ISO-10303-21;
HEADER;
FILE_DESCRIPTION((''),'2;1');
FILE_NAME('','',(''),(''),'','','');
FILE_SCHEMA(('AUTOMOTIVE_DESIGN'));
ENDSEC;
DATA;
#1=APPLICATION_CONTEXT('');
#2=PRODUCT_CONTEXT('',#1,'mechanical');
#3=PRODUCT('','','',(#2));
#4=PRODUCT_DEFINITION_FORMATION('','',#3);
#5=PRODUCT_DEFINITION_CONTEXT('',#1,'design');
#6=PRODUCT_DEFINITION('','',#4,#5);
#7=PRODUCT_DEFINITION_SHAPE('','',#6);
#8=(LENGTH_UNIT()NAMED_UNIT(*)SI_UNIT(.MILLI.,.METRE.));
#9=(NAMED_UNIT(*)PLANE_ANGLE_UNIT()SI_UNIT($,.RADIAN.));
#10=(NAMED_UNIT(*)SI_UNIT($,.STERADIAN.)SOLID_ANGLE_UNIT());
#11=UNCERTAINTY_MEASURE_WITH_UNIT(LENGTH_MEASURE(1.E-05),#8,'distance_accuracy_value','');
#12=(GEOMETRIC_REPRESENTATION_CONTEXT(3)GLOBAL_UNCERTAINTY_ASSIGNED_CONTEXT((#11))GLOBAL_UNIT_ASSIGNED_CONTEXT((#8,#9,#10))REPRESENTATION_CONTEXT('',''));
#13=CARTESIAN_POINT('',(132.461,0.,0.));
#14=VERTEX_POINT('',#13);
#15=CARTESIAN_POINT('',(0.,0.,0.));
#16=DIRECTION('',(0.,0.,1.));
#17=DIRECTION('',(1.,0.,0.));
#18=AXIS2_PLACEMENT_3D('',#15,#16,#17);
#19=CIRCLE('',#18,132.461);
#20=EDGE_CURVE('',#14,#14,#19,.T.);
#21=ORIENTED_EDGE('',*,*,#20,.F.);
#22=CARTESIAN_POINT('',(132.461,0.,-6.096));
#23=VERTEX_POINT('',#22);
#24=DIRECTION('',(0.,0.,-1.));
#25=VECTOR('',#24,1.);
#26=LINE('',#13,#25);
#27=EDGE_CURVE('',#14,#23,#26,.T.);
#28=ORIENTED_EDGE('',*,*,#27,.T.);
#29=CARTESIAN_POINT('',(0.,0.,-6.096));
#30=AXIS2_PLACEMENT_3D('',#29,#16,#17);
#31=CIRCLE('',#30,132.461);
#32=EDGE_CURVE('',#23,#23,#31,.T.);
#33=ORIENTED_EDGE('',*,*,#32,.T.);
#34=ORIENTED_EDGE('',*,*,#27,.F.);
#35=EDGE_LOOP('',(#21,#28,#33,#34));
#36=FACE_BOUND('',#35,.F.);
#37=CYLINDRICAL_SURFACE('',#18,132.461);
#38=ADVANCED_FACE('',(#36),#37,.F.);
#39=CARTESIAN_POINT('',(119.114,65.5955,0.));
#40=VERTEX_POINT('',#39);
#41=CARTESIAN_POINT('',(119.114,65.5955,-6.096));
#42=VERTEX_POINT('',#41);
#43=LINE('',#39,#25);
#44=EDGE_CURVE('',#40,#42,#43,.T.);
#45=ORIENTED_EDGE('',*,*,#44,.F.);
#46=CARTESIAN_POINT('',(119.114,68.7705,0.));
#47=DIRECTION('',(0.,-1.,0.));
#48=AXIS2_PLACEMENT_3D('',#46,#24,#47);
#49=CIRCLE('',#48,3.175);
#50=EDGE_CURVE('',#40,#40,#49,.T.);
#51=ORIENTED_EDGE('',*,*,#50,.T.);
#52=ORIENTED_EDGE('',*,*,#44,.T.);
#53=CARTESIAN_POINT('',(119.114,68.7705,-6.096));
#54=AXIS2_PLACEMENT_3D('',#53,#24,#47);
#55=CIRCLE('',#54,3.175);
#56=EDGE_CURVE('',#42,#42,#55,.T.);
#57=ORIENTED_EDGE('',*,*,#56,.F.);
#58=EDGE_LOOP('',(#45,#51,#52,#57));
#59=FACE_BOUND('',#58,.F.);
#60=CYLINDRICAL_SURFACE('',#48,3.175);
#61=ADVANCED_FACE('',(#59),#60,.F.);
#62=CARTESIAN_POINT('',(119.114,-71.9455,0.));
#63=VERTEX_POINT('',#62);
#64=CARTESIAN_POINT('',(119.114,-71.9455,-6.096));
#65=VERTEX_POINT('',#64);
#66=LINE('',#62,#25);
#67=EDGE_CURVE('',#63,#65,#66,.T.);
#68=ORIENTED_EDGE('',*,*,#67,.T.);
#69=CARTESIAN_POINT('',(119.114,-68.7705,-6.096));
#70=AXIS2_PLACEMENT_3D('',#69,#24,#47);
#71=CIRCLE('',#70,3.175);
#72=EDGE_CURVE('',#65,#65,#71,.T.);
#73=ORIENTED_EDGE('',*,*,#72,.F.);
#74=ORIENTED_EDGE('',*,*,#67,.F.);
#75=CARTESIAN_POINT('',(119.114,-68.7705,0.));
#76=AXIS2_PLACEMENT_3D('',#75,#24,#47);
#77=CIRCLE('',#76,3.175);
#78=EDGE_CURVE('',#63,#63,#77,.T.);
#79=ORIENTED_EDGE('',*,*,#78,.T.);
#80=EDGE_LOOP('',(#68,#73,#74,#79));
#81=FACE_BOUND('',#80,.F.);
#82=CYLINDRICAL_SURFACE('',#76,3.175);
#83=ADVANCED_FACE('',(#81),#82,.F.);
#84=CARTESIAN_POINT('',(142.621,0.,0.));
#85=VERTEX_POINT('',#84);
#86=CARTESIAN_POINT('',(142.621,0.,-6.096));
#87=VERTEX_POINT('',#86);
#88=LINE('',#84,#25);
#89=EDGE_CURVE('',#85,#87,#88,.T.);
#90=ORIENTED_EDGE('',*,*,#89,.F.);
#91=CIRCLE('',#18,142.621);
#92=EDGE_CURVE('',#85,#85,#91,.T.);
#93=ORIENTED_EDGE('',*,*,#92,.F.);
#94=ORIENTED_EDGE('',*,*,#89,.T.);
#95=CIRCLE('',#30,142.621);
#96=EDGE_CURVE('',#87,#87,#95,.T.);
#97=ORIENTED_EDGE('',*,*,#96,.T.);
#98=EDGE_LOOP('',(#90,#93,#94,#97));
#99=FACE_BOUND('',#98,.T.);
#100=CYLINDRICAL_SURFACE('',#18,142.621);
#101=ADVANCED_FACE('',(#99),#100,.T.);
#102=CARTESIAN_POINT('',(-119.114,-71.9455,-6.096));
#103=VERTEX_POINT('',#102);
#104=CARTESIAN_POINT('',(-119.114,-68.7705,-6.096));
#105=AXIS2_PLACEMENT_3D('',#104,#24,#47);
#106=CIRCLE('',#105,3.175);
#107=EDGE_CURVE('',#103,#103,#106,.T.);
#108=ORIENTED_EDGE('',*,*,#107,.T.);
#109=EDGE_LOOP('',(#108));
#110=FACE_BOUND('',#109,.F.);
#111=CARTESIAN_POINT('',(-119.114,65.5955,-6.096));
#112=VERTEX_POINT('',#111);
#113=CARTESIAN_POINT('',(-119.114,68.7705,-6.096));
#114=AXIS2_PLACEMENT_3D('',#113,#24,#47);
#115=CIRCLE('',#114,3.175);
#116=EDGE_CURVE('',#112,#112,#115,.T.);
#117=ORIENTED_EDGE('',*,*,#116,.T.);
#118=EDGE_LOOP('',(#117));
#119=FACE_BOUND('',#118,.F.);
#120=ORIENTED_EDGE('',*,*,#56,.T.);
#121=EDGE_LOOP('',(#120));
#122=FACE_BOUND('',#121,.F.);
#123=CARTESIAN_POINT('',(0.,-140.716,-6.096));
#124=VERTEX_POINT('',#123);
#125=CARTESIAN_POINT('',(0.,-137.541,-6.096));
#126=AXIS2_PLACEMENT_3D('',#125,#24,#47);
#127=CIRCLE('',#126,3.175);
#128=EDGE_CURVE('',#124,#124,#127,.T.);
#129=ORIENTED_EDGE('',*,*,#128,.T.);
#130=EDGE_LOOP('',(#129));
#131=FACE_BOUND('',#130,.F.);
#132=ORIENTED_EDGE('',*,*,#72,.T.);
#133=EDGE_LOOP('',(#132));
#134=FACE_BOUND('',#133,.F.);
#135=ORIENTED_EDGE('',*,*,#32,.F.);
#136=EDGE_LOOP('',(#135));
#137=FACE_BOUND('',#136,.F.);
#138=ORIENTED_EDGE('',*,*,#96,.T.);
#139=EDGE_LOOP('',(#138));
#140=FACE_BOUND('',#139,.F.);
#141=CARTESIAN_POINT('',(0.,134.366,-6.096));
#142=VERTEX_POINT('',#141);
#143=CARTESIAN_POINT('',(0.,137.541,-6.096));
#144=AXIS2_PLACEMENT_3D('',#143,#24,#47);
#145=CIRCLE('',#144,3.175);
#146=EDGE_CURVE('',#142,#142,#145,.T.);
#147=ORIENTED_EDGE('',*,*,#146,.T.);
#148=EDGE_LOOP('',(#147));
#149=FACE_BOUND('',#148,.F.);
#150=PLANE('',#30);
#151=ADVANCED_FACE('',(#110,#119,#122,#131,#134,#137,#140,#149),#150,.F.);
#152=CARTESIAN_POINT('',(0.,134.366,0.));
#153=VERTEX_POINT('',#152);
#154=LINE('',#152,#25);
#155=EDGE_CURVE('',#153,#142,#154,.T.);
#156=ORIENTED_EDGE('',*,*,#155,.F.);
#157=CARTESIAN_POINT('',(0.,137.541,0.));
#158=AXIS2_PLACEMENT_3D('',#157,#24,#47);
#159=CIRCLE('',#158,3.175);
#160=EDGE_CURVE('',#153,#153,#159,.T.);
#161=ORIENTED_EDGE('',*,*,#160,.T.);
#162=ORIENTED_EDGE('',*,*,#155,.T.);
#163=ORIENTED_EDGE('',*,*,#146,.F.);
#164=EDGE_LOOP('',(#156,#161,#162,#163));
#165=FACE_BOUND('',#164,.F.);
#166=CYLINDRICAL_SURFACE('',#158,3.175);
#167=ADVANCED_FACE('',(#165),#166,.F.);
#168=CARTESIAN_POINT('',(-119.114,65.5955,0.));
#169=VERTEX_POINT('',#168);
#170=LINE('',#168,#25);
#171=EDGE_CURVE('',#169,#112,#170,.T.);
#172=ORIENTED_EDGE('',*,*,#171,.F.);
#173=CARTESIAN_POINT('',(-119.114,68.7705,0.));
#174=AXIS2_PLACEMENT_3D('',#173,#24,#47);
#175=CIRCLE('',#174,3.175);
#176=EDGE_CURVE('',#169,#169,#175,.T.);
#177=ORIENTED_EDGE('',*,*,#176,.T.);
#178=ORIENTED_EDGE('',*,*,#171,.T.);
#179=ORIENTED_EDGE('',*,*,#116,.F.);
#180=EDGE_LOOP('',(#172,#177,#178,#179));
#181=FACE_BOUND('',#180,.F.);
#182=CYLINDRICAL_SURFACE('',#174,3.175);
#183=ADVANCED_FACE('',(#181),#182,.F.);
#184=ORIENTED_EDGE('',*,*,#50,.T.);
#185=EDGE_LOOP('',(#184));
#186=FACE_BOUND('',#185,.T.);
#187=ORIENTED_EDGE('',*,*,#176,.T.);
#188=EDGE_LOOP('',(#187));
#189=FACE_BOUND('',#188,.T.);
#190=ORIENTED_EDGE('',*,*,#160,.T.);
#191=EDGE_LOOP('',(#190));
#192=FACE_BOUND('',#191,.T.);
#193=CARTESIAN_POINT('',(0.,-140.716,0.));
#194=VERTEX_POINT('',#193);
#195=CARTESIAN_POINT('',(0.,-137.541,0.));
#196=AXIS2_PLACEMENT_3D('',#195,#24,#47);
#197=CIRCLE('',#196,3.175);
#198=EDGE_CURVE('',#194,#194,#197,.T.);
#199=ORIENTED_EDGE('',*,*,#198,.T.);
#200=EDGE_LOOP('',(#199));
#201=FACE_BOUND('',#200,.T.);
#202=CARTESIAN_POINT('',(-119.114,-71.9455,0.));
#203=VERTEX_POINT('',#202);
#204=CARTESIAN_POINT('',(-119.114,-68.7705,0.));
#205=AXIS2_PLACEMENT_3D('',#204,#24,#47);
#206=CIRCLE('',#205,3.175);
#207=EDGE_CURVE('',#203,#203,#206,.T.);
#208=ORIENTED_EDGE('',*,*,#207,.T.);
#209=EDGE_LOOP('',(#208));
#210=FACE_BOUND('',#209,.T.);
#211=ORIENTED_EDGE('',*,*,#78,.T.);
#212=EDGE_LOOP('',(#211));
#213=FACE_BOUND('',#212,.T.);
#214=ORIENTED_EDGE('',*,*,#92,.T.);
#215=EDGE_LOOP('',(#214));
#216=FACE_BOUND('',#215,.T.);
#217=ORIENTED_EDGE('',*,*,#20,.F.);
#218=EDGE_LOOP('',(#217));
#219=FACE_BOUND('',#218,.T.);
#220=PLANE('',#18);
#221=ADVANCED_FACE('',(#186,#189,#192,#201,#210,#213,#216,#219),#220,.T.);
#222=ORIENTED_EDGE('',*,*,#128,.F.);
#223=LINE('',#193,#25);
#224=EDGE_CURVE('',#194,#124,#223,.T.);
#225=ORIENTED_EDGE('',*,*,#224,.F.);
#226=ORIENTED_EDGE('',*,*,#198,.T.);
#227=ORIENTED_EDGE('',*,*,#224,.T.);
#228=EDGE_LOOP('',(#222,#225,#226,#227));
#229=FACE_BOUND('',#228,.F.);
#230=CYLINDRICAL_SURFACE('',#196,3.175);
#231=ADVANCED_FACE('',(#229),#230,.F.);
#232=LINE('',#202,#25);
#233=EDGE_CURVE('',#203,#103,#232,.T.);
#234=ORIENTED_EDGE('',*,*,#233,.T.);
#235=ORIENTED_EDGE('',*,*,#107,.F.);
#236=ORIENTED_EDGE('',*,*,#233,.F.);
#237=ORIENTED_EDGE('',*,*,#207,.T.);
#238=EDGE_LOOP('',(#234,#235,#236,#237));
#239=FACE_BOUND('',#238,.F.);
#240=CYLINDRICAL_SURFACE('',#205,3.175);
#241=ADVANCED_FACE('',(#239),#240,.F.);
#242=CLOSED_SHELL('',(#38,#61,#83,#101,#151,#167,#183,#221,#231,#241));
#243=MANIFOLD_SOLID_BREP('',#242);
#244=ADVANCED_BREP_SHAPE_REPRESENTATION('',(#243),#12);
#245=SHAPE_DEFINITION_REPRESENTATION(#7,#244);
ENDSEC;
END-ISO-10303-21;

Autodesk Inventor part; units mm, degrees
ref_plane "YZ Plane" through (0, 0, 0) normal (1, 0, 0) x (0, 1, 0)
ref_plane "XZ Plane" through (0, 0, 0) normal (0, 1, 0) x (-1, 0, 0)
ref_plane "XY Plane" through (0, 0, 0) normal (0, 0, 1) x (1, 0, 0)
sketch "Sketch1" plane through (0, 0, 0) normal (0, 0, 1) x (1, 0, 0)
  circle A0 centre (0, 0) radius 142.621
  circle A1 centre (0, 0) radius 132.461
  point P0 (0, 137.541)
  point P1 (-119.114, 68.7705)
  point P2 (-119.114, -68.7705)
  point P3 (0, -137.541)
  point P4 (119.114, -68.7705)
  point P5 (119.114, 68.7705)
  dimension "d0" = 285.242
  dimension "d1" = 264.922
  dimension "d2" = 137.541
  dimension "d5" = 360
extrude "Extrusion1" add sketch "Sketch1" against normal blind 6.096
hole "Hole1" at (0, 137.541, 0) at (-119.114, 68.7705, 0) at (-119.114, -68.7705, 0) at (0, -137.541, 0) at (119.114, -68.7705, 0) at (119.114, 68.7705, 0) direction (0, 0, -1) diameter 6.35 depth 25.4 tip angle 118
properties part number "inner piece"
